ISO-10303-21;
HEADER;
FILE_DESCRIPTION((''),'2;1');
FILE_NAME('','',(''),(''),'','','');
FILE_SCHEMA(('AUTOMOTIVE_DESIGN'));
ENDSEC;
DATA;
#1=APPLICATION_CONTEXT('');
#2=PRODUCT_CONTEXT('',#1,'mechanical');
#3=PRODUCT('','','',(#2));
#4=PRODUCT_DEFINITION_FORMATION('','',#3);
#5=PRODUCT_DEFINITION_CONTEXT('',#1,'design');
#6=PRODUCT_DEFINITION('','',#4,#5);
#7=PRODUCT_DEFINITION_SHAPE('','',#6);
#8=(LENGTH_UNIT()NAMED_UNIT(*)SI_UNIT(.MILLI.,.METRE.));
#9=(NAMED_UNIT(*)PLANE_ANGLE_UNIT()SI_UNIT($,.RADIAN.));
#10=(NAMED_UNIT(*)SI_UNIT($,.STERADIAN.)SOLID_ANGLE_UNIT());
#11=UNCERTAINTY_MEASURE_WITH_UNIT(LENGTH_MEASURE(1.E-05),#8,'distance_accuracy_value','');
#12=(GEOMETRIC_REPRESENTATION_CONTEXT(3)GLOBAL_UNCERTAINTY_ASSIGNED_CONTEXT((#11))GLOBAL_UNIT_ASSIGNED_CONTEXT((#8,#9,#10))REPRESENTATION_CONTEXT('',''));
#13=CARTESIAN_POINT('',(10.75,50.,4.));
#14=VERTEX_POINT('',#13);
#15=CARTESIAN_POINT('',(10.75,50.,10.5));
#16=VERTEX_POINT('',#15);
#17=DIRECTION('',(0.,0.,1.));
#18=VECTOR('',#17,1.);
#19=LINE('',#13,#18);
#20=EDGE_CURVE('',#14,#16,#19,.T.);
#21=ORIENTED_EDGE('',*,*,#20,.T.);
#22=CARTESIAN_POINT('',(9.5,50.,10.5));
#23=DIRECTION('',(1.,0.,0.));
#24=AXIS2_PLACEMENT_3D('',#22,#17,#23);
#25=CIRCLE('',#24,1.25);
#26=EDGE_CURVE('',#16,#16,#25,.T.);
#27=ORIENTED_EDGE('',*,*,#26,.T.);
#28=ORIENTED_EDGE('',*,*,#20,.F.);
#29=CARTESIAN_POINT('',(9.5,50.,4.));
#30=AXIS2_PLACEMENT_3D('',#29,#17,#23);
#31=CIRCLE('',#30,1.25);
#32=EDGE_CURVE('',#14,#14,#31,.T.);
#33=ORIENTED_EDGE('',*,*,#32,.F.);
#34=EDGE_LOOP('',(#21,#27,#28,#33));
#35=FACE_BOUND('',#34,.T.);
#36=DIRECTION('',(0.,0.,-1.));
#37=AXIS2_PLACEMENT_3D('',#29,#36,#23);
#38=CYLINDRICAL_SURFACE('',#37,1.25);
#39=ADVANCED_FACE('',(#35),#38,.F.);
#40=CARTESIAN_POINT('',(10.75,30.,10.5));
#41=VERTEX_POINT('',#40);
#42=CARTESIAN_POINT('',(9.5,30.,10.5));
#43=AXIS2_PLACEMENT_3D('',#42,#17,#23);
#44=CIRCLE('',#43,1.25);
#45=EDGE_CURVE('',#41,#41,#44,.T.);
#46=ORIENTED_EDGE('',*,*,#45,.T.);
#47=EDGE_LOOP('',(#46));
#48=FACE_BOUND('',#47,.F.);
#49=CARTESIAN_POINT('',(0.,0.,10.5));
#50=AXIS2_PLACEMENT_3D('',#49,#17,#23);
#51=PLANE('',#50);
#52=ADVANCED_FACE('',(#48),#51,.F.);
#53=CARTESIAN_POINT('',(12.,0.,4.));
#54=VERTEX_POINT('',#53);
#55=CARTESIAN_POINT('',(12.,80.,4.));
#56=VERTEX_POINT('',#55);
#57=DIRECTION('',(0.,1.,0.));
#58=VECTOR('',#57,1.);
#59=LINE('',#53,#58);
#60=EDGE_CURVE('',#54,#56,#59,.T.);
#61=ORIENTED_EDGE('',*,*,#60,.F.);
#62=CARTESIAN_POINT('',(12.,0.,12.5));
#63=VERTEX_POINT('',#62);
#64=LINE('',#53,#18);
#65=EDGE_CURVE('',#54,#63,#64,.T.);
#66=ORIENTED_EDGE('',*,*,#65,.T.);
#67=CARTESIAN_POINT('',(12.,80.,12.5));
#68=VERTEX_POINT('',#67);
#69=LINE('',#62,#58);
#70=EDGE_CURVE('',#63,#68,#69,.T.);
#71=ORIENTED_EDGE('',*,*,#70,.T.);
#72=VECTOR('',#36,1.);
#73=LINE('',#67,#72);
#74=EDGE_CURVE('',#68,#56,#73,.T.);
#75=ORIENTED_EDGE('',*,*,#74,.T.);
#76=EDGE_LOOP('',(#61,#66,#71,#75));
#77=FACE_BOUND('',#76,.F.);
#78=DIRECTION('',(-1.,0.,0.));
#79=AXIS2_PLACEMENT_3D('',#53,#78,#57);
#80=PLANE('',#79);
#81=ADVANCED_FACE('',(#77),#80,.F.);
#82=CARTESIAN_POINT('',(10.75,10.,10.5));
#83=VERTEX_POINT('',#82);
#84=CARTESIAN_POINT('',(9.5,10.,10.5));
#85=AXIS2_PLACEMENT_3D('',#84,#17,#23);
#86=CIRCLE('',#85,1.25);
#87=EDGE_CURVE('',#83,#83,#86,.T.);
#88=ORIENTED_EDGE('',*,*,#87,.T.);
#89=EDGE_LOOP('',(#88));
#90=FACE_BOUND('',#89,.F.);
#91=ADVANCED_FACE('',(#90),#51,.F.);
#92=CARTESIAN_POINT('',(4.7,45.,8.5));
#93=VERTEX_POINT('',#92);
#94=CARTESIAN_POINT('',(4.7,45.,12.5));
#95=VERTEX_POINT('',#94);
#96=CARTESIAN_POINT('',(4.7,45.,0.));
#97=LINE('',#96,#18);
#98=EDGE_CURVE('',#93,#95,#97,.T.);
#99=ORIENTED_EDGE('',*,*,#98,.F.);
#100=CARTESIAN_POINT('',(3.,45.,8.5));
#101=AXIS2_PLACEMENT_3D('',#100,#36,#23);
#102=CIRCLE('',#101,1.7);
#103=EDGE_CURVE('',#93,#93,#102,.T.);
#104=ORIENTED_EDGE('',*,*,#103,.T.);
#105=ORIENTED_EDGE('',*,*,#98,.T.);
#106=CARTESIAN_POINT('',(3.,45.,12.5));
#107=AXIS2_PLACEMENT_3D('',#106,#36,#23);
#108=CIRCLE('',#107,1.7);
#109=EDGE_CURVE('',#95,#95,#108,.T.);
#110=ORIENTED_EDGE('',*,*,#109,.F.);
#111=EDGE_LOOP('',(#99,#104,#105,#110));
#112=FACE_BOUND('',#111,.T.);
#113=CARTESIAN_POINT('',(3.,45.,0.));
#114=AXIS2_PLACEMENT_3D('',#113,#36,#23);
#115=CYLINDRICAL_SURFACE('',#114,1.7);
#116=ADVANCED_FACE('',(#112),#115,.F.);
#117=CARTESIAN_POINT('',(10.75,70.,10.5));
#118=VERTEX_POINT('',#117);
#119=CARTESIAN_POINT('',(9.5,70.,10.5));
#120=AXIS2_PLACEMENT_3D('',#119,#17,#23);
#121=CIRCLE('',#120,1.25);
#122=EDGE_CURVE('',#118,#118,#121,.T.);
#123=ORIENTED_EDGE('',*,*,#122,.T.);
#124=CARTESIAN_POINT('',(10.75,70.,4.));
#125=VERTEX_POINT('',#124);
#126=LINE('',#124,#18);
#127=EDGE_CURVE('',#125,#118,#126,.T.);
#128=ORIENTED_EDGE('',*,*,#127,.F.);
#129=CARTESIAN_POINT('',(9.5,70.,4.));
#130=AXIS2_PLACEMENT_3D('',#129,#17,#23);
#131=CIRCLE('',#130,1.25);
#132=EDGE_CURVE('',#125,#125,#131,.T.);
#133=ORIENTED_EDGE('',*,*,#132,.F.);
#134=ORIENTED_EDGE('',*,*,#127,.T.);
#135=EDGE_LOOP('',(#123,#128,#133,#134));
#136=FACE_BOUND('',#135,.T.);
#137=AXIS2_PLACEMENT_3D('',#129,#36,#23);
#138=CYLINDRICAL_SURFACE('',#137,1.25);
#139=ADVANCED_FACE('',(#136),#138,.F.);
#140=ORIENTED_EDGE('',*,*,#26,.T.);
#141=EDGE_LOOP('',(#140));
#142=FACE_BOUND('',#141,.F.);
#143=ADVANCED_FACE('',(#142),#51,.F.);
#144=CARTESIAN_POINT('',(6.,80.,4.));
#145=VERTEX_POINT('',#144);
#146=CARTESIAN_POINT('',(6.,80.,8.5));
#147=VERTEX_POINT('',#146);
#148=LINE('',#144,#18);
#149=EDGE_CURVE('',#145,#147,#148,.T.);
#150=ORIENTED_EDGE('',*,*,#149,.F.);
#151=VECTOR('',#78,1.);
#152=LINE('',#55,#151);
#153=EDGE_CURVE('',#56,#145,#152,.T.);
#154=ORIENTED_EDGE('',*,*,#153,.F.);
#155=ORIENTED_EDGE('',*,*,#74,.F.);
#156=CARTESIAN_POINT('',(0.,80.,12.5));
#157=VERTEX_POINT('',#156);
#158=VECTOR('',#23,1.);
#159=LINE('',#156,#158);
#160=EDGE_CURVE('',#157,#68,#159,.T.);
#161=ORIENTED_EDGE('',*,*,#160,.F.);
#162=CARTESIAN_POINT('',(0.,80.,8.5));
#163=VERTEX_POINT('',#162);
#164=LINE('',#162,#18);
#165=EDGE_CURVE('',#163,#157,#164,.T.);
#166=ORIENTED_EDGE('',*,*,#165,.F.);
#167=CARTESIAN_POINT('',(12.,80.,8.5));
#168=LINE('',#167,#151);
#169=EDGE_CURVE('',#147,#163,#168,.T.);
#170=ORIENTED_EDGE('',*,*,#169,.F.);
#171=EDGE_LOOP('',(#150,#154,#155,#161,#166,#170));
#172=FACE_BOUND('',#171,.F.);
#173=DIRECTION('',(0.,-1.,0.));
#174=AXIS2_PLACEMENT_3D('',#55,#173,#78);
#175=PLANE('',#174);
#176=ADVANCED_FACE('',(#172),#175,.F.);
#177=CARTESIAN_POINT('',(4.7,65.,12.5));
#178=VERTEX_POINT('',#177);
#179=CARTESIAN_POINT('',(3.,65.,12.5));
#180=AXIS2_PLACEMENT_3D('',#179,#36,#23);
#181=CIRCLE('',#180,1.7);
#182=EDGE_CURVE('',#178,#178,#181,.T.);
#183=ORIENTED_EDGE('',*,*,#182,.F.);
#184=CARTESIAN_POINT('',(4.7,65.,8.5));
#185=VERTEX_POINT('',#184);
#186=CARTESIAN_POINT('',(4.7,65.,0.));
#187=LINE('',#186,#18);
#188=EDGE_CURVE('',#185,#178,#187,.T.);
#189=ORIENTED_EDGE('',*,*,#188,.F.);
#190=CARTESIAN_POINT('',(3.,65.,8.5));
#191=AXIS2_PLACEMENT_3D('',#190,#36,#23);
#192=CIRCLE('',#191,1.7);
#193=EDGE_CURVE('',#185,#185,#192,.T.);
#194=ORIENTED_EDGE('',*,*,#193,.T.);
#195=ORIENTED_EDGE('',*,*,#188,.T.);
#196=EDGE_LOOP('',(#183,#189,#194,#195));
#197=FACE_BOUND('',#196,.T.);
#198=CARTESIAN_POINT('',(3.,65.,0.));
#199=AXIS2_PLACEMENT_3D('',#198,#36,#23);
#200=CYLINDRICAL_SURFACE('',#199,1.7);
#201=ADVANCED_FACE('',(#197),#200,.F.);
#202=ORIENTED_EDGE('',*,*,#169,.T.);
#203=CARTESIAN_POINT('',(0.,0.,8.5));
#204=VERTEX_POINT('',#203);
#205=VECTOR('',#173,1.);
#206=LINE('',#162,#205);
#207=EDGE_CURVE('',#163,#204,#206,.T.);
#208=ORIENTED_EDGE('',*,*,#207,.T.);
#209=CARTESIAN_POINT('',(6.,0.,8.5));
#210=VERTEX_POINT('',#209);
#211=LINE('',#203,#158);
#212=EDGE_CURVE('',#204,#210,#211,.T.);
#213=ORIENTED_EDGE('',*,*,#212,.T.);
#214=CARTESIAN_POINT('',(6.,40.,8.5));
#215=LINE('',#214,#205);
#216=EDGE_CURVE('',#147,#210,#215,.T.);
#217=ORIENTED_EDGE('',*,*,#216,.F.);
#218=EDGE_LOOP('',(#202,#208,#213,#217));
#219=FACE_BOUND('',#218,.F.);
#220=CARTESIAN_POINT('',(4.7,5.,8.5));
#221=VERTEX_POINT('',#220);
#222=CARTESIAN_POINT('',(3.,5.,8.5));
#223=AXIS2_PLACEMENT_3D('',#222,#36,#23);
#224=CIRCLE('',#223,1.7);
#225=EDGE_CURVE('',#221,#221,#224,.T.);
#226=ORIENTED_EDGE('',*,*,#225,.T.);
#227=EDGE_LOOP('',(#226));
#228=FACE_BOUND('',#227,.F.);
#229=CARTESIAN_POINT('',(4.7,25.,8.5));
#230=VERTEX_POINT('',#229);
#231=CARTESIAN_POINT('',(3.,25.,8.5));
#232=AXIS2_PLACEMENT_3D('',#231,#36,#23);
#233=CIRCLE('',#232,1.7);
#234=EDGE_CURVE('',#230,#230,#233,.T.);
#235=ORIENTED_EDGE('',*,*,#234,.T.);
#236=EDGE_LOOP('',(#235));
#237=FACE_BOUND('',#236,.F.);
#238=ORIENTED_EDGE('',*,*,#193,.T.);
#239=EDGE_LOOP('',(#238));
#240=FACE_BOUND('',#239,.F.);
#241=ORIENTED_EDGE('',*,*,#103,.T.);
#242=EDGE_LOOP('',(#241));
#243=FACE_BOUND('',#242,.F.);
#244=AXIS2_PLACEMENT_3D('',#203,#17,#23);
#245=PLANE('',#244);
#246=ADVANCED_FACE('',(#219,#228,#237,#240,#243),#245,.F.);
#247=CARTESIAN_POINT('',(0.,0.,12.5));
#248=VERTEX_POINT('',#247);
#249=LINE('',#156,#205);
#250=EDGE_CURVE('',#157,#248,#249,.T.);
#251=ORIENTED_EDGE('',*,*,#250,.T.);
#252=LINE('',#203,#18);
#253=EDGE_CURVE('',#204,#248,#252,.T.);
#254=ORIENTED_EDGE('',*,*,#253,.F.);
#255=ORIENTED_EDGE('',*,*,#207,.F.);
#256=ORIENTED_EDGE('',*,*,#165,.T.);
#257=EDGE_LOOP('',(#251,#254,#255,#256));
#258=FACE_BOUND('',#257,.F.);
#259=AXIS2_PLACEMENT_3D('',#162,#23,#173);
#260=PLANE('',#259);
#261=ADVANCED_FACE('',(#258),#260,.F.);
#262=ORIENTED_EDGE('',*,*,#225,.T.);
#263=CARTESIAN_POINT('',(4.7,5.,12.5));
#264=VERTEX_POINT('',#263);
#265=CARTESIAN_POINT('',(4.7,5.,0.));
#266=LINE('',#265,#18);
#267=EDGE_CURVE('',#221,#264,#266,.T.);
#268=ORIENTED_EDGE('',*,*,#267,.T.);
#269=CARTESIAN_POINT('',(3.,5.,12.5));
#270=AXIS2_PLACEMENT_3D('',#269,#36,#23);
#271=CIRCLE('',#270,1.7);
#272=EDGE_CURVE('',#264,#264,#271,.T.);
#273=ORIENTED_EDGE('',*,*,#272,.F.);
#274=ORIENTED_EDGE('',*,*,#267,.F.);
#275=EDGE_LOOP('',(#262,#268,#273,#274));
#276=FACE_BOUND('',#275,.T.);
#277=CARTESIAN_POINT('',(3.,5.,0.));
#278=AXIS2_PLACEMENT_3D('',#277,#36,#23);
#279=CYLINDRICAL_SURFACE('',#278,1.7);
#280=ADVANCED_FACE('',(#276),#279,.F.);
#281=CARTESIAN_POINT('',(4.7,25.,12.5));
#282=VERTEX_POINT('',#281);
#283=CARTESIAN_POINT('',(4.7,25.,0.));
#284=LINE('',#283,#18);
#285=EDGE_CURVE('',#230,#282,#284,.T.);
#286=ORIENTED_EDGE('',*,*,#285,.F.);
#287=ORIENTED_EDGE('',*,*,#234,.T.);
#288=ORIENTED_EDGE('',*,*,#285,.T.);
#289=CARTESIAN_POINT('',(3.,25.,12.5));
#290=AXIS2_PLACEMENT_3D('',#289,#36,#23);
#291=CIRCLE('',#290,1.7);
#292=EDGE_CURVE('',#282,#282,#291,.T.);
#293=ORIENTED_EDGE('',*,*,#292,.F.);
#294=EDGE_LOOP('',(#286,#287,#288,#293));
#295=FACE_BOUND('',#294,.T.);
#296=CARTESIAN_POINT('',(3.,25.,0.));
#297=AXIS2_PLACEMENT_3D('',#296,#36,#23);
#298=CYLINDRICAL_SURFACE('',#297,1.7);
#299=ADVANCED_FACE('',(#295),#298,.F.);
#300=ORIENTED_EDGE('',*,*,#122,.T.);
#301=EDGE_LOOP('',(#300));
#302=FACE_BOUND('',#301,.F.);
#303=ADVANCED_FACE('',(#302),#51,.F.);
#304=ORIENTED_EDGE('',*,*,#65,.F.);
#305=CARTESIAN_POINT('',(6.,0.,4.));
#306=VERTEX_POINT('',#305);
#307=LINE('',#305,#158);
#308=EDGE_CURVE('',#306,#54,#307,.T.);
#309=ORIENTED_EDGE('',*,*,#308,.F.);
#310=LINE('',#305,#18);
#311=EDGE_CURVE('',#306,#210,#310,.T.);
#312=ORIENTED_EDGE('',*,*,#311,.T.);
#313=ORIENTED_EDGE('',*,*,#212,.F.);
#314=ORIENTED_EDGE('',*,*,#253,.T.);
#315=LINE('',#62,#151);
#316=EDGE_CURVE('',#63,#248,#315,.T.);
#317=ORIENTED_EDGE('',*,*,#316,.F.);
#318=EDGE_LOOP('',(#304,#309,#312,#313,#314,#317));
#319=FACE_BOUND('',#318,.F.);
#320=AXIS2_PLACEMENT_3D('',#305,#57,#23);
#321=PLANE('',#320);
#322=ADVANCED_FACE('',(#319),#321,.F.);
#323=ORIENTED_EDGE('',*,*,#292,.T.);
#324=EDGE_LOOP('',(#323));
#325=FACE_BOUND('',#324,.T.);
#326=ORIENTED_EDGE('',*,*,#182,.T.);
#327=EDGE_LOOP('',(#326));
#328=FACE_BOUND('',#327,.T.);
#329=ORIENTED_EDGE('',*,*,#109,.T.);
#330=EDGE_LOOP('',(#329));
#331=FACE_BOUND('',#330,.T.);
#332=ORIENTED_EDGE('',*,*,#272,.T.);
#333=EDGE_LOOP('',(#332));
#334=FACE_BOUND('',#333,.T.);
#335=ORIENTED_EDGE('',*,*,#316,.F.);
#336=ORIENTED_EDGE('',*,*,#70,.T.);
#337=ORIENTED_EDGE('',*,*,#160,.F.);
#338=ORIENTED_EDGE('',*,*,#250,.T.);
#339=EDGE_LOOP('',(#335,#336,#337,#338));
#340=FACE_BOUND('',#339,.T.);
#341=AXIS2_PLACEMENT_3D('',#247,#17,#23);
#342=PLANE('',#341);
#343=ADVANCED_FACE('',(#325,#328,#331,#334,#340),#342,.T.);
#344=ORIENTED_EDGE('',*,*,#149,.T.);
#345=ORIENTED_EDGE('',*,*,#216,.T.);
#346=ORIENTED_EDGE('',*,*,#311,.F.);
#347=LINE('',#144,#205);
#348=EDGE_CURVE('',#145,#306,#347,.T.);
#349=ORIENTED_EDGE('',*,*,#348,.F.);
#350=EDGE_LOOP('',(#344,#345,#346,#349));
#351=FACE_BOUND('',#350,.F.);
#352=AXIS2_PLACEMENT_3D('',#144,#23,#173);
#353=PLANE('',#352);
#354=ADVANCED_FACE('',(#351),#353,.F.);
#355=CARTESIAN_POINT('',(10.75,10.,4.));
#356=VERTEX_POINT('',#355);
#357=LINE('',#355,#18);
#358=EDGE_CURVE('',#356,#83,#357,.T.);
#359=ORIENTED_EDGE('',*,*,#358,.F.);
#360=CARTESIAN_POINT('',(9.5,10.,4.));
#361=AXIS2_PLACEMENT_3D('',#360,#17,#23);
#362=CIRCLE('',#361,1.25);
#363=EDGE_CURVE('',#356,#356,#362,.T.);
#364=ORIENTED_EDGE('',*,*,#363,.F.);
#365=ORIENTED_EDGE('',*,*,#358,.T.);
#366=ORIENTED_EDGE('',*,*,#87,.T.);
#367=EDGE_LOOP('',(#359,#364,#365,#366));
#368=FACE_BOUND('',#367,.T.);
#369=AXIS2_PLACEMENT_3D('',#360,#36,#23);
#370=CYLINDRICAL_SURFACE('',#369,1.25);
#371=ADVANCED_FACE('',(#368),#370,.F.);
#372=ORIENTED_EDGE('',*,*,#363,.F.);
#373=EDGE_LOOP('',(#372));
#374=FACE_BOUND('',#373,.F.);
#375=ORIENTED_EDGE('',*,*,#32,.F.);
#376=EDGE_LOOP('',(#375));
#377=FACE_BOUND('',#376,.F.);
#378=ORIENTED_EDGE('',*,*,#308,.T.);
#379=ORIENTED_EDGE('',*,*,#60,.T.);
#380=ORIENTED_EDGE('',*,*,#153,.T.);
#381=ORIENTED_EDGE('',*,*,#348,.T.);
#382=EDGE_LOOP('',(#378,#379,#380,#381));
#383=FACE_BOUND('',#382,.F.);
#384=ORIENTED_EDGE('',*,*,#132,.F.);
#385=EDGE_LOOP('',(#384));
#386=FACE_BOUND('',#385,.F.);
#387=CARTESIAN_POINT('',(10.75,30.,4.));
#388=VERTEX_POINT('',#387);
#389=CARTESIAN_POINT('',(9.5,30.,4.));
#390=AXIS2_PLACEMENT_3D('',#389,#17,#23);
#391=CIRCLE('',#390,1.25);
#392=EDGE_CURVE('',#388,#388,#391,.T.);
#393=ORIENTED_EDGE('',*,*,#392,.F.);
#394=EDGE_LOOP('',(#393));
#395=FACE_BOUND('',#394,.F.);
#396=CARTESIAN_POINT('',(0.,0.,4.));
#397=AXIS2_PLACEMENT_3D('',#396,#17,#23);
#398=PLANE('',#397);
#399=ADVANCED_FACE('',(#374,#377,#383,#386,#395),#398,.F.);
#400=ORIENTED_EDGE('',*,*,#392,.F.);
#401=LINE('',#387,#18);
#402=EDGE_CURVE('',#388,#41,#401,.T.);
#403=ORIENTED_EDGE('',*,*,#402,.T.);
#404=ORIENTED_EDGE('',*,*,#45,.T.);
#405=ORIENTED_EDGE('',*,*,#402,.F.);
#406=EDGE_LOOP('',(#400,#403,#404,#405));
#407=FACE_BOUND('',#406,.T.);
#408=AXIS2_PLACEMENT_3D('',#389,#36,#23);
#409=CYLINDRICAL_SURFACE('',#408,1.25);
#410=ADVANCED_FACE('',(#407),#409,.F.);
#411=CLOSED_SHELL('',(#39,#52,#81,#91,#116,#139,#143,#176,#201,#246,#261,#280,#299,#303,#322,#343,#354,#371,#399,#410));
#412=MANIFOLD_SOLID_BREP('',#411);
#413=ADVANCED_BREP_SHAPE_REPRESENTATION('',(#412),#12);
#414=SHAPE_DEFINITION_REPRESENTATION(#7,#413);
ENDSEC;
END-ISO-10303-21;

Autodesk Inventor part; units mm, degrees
ref_plane "Left_Connecting_Web_StartPlane" through (0, 0, 4) normal (0, 0, 1) x (1, 0, 0)
sketch "Left_Connecting_Web_Profile" plane through (0, 0, 4) normal (0, 0, 1) x (1, 0, 0)
  line L0 (6, 0) -> (12, 0)
  line L1 (12, 0) -> (12, 80)
  line L2 (12, 80) -> (6, 80)
  line L3 (6, 80) -> (6, 0)
  point P0 (0, 0)
  dimension "d1" = 6
  dimension "d2" = 6
  dimension "d3" = 80
extrude "Left_Connecting_Web" add sketch "Left_Connecting_Web_Profile" along normal blind 8.5
ref_plane "Left_Rod_Contact_Flange_StartPlane" through (0, 0, 8.5) normal (0, 0, 1) x (1, 0, 0)
sketch "Left_Rod_Contact_Flange_Profile" plane through (0, 0, 8.5) normal (0, 0, 1) x (1, 0, 0)
  line L0 (0, 0) -> (12, 0)
  line L1 (12, 0) -> (12, 80)
  line L2 (12, 80) -> (0, 80)
  line L3 (0, 80) -> (0, 0)
  dimension "d7" = 12
  dimension "d8" = 80
extrude "Left_Rod_Contact_Flange" add sketch "Left_Rod_Contact_Flange_Profile" along normal blind 4
sketch "Original_Rod_Clearance_4x_Locations" plane through (0, 0, 0) normal (0, 0, 1) x (1, 0, 0)
  circle A0 centre (3, 5) radius 1.7
  circle A1 centre (3, 25) radius 1.7
  circle A2 centre (3, 45) radius 1.7
  circle A3 centre (3, 65) radius 1.7
  point P0 (0, 0)
  dimension "d11" = 3
  dimension "d12" = 5
  dimension "d13" = 3.4
  dimension "d14" = 3
  dimension "d15" = 25
  dimension "d16" = 3.4
  dimension "d17" = 3
  dimension "d18" = 45
  dimension "d19" = 3.4
  dimension "d20" = 3
  dimension "d21" = 65
  dimension "d22" = 3.4
extrude "Original_Rod_Clearance_4x" cut sketch "Original_Rod_Clearance_4x_Locations" along normal through all
ref_plane "Work Plane3" through (0, 0, 4) normal (0, 0, 1) x (1, 0, 0)
sketch "Deck_Assembly_M3_Locations" plane through (0, 0, 4) normal (0, 0, 1) x (1, 0, 0)
  circle A0 centre (9.5, 10) radius 1.25
  circle A1 centre (9.5, 30) radius 1.25
  circle A2 centre (9.5, 50) radius 1.25
  circle A3 centre (9.5, 70) radius 1.25
  point P0 (0, 0)
  dimension "d26" = 9.5
  dimension "d27" = 10
  dimension "d28" = 2.5
  dimension "d29" = 9.5
  dimension "d30" = 30
  dimension "d31" = 2.5
  dimension "d32" = 9.5
  dimension "d33" = 50
  dimension "d34" = 2.5
  dimension "d35" = 9.5
  dimension "d36" = 70
  dimension "d37" = 2.5
extrude "Four_Blind_M3_Tap_Bores" cut sketch "Deck_Assembly_M3_Locations" along normal blind 6.5
thread "Deck_M3x0_5_6H_1" size "M3x0.5" class "6H" standard "ISO Metric profile" length 6.5
thread "Deck_M3x0_5_6H_2" size "M3x0.5" class "6H" standard "ISO Metric profile" length 6.5
thread "Deck_M3x0_5_6H_3" size "M3x0.5" class "6H" standard "ISO Metric profile" length 6.5
thread "Deck_M3x0_5_6H_4" size "M3x0.5" class "6H" standard "ISO Metric profile" length 6.5
equation "\"d1\" = RodWidth"
equation "\"d2\" = WebThickness"
equation "\"d3\" = ContactLength"
equation "\"d4\" = DropHeight"
equation "\"d7\" = RodWidth + WebThickness"
equation "\"d8\" = ContactLength"
equation "\"d9\" = BaseThickness"
equation "\"d11\" = 0.5 * RodWidth"
equation "\"d12\" = RodHoleStart + 0 * RodScrewPitch"
equation "\"d13\" = RodClearanceDiameter"
equation "\"d14\" = 0.5 * RodWidth"
equation "\"d15\" = RodHoleStart + RodScrewPitch"
equation "\"d16\" = RodClearanceDiameter"
equation "\"d17\" = 0.5 * RodWidth"
equation "\"d18\" = RodHoleStart + 2 * RodScrewPitch"
equation "\"d19\" = RodClearanceDiameter"
equation "\"d20\" = 0.5 * RodWidth"
equation "\"d21\" = RodHoleStart + 3 * RodScrewPitch"
equation "\"d22\" = RodClearanceDiameter"
equation "\"d26\" = JoinLeftX"
equation "\"d27\" = JoinFirstY + 0 * JoinPitch"
equation "\"d28\" = TapDrillDiameter"
equation "\"d29\" = JoinLeftX"
equation "\"d30\" = JoinFirstY + JoinPitch"
equation "\"d31\" = TapDrillDiameter"
equation "\"d32\" = JoinLeftX"
equation "\"d33\" = JoinFirstY + 2 * JoinPitch"
equation "\"d34\" = TapDrillDiameter"
equation "\"d35\" = JoinLeftX"
equation "\"d36\" = JoinFirstY + 3 * JoinPitch"
equation "\"d37\" = TapDrillDiameter"
equation "\"d38\" = JoinThreadDepth"
equation "\"d40\" = JoinThreadDepth"
equation "\"d42\" = JoinThreadDepth"
equation "\"d44\" = JoinThreadDepth"
equation "\"d46\" = JoinThreadDepth"
equation "\"OverallWidth\" = 51"
equation "\"RodWidth\" = 6"
equation "\"ContactLength\" = 80"
equation "\"BaseThickness\" = 4"
equation "\"DropHeight\" = 8.5"
equation "\"WebThickness\" = 6"
equation "\"FingerStartX\" = 19.93338"
equation "\"FingerWidth\" = 13.5"
equation "\"FingerThickness\" = 6"
equation "\"FingerEndInset\" = 4"
equation "\"RodClearanceDiameter\" = 3.4"
equation "\"ClampFirstY\" = 41.82802"
equation "\"ClampPitch\" = 16"
equation "\"ClampHeight\" = BaseThickness + 0.5 * FingerThickness"
equation "\"TapDrillDiameter\" = 2.5"
equation "\"TapDepth\" = 6"
equation "\"RodHoleStart\" = 5"
equation "\"RodScrewPitch\" = 20"
equation "\"JoinLeftX\" = 9.5"
equation "\"JoinFirstY\" = 10"
equation "\"JoinPitch\" = 20"
equation "\"JoinThreadDepth\" = 6.5"
equation "\"JoinCountersinkDiameter\" = 6.2"
equation "\"d0\" = BaseThickness"
equation "\"d6\" = DropHeight"
equation "\"d25\" = BaseThickness"
properties part number "Left_Rod_Support"
